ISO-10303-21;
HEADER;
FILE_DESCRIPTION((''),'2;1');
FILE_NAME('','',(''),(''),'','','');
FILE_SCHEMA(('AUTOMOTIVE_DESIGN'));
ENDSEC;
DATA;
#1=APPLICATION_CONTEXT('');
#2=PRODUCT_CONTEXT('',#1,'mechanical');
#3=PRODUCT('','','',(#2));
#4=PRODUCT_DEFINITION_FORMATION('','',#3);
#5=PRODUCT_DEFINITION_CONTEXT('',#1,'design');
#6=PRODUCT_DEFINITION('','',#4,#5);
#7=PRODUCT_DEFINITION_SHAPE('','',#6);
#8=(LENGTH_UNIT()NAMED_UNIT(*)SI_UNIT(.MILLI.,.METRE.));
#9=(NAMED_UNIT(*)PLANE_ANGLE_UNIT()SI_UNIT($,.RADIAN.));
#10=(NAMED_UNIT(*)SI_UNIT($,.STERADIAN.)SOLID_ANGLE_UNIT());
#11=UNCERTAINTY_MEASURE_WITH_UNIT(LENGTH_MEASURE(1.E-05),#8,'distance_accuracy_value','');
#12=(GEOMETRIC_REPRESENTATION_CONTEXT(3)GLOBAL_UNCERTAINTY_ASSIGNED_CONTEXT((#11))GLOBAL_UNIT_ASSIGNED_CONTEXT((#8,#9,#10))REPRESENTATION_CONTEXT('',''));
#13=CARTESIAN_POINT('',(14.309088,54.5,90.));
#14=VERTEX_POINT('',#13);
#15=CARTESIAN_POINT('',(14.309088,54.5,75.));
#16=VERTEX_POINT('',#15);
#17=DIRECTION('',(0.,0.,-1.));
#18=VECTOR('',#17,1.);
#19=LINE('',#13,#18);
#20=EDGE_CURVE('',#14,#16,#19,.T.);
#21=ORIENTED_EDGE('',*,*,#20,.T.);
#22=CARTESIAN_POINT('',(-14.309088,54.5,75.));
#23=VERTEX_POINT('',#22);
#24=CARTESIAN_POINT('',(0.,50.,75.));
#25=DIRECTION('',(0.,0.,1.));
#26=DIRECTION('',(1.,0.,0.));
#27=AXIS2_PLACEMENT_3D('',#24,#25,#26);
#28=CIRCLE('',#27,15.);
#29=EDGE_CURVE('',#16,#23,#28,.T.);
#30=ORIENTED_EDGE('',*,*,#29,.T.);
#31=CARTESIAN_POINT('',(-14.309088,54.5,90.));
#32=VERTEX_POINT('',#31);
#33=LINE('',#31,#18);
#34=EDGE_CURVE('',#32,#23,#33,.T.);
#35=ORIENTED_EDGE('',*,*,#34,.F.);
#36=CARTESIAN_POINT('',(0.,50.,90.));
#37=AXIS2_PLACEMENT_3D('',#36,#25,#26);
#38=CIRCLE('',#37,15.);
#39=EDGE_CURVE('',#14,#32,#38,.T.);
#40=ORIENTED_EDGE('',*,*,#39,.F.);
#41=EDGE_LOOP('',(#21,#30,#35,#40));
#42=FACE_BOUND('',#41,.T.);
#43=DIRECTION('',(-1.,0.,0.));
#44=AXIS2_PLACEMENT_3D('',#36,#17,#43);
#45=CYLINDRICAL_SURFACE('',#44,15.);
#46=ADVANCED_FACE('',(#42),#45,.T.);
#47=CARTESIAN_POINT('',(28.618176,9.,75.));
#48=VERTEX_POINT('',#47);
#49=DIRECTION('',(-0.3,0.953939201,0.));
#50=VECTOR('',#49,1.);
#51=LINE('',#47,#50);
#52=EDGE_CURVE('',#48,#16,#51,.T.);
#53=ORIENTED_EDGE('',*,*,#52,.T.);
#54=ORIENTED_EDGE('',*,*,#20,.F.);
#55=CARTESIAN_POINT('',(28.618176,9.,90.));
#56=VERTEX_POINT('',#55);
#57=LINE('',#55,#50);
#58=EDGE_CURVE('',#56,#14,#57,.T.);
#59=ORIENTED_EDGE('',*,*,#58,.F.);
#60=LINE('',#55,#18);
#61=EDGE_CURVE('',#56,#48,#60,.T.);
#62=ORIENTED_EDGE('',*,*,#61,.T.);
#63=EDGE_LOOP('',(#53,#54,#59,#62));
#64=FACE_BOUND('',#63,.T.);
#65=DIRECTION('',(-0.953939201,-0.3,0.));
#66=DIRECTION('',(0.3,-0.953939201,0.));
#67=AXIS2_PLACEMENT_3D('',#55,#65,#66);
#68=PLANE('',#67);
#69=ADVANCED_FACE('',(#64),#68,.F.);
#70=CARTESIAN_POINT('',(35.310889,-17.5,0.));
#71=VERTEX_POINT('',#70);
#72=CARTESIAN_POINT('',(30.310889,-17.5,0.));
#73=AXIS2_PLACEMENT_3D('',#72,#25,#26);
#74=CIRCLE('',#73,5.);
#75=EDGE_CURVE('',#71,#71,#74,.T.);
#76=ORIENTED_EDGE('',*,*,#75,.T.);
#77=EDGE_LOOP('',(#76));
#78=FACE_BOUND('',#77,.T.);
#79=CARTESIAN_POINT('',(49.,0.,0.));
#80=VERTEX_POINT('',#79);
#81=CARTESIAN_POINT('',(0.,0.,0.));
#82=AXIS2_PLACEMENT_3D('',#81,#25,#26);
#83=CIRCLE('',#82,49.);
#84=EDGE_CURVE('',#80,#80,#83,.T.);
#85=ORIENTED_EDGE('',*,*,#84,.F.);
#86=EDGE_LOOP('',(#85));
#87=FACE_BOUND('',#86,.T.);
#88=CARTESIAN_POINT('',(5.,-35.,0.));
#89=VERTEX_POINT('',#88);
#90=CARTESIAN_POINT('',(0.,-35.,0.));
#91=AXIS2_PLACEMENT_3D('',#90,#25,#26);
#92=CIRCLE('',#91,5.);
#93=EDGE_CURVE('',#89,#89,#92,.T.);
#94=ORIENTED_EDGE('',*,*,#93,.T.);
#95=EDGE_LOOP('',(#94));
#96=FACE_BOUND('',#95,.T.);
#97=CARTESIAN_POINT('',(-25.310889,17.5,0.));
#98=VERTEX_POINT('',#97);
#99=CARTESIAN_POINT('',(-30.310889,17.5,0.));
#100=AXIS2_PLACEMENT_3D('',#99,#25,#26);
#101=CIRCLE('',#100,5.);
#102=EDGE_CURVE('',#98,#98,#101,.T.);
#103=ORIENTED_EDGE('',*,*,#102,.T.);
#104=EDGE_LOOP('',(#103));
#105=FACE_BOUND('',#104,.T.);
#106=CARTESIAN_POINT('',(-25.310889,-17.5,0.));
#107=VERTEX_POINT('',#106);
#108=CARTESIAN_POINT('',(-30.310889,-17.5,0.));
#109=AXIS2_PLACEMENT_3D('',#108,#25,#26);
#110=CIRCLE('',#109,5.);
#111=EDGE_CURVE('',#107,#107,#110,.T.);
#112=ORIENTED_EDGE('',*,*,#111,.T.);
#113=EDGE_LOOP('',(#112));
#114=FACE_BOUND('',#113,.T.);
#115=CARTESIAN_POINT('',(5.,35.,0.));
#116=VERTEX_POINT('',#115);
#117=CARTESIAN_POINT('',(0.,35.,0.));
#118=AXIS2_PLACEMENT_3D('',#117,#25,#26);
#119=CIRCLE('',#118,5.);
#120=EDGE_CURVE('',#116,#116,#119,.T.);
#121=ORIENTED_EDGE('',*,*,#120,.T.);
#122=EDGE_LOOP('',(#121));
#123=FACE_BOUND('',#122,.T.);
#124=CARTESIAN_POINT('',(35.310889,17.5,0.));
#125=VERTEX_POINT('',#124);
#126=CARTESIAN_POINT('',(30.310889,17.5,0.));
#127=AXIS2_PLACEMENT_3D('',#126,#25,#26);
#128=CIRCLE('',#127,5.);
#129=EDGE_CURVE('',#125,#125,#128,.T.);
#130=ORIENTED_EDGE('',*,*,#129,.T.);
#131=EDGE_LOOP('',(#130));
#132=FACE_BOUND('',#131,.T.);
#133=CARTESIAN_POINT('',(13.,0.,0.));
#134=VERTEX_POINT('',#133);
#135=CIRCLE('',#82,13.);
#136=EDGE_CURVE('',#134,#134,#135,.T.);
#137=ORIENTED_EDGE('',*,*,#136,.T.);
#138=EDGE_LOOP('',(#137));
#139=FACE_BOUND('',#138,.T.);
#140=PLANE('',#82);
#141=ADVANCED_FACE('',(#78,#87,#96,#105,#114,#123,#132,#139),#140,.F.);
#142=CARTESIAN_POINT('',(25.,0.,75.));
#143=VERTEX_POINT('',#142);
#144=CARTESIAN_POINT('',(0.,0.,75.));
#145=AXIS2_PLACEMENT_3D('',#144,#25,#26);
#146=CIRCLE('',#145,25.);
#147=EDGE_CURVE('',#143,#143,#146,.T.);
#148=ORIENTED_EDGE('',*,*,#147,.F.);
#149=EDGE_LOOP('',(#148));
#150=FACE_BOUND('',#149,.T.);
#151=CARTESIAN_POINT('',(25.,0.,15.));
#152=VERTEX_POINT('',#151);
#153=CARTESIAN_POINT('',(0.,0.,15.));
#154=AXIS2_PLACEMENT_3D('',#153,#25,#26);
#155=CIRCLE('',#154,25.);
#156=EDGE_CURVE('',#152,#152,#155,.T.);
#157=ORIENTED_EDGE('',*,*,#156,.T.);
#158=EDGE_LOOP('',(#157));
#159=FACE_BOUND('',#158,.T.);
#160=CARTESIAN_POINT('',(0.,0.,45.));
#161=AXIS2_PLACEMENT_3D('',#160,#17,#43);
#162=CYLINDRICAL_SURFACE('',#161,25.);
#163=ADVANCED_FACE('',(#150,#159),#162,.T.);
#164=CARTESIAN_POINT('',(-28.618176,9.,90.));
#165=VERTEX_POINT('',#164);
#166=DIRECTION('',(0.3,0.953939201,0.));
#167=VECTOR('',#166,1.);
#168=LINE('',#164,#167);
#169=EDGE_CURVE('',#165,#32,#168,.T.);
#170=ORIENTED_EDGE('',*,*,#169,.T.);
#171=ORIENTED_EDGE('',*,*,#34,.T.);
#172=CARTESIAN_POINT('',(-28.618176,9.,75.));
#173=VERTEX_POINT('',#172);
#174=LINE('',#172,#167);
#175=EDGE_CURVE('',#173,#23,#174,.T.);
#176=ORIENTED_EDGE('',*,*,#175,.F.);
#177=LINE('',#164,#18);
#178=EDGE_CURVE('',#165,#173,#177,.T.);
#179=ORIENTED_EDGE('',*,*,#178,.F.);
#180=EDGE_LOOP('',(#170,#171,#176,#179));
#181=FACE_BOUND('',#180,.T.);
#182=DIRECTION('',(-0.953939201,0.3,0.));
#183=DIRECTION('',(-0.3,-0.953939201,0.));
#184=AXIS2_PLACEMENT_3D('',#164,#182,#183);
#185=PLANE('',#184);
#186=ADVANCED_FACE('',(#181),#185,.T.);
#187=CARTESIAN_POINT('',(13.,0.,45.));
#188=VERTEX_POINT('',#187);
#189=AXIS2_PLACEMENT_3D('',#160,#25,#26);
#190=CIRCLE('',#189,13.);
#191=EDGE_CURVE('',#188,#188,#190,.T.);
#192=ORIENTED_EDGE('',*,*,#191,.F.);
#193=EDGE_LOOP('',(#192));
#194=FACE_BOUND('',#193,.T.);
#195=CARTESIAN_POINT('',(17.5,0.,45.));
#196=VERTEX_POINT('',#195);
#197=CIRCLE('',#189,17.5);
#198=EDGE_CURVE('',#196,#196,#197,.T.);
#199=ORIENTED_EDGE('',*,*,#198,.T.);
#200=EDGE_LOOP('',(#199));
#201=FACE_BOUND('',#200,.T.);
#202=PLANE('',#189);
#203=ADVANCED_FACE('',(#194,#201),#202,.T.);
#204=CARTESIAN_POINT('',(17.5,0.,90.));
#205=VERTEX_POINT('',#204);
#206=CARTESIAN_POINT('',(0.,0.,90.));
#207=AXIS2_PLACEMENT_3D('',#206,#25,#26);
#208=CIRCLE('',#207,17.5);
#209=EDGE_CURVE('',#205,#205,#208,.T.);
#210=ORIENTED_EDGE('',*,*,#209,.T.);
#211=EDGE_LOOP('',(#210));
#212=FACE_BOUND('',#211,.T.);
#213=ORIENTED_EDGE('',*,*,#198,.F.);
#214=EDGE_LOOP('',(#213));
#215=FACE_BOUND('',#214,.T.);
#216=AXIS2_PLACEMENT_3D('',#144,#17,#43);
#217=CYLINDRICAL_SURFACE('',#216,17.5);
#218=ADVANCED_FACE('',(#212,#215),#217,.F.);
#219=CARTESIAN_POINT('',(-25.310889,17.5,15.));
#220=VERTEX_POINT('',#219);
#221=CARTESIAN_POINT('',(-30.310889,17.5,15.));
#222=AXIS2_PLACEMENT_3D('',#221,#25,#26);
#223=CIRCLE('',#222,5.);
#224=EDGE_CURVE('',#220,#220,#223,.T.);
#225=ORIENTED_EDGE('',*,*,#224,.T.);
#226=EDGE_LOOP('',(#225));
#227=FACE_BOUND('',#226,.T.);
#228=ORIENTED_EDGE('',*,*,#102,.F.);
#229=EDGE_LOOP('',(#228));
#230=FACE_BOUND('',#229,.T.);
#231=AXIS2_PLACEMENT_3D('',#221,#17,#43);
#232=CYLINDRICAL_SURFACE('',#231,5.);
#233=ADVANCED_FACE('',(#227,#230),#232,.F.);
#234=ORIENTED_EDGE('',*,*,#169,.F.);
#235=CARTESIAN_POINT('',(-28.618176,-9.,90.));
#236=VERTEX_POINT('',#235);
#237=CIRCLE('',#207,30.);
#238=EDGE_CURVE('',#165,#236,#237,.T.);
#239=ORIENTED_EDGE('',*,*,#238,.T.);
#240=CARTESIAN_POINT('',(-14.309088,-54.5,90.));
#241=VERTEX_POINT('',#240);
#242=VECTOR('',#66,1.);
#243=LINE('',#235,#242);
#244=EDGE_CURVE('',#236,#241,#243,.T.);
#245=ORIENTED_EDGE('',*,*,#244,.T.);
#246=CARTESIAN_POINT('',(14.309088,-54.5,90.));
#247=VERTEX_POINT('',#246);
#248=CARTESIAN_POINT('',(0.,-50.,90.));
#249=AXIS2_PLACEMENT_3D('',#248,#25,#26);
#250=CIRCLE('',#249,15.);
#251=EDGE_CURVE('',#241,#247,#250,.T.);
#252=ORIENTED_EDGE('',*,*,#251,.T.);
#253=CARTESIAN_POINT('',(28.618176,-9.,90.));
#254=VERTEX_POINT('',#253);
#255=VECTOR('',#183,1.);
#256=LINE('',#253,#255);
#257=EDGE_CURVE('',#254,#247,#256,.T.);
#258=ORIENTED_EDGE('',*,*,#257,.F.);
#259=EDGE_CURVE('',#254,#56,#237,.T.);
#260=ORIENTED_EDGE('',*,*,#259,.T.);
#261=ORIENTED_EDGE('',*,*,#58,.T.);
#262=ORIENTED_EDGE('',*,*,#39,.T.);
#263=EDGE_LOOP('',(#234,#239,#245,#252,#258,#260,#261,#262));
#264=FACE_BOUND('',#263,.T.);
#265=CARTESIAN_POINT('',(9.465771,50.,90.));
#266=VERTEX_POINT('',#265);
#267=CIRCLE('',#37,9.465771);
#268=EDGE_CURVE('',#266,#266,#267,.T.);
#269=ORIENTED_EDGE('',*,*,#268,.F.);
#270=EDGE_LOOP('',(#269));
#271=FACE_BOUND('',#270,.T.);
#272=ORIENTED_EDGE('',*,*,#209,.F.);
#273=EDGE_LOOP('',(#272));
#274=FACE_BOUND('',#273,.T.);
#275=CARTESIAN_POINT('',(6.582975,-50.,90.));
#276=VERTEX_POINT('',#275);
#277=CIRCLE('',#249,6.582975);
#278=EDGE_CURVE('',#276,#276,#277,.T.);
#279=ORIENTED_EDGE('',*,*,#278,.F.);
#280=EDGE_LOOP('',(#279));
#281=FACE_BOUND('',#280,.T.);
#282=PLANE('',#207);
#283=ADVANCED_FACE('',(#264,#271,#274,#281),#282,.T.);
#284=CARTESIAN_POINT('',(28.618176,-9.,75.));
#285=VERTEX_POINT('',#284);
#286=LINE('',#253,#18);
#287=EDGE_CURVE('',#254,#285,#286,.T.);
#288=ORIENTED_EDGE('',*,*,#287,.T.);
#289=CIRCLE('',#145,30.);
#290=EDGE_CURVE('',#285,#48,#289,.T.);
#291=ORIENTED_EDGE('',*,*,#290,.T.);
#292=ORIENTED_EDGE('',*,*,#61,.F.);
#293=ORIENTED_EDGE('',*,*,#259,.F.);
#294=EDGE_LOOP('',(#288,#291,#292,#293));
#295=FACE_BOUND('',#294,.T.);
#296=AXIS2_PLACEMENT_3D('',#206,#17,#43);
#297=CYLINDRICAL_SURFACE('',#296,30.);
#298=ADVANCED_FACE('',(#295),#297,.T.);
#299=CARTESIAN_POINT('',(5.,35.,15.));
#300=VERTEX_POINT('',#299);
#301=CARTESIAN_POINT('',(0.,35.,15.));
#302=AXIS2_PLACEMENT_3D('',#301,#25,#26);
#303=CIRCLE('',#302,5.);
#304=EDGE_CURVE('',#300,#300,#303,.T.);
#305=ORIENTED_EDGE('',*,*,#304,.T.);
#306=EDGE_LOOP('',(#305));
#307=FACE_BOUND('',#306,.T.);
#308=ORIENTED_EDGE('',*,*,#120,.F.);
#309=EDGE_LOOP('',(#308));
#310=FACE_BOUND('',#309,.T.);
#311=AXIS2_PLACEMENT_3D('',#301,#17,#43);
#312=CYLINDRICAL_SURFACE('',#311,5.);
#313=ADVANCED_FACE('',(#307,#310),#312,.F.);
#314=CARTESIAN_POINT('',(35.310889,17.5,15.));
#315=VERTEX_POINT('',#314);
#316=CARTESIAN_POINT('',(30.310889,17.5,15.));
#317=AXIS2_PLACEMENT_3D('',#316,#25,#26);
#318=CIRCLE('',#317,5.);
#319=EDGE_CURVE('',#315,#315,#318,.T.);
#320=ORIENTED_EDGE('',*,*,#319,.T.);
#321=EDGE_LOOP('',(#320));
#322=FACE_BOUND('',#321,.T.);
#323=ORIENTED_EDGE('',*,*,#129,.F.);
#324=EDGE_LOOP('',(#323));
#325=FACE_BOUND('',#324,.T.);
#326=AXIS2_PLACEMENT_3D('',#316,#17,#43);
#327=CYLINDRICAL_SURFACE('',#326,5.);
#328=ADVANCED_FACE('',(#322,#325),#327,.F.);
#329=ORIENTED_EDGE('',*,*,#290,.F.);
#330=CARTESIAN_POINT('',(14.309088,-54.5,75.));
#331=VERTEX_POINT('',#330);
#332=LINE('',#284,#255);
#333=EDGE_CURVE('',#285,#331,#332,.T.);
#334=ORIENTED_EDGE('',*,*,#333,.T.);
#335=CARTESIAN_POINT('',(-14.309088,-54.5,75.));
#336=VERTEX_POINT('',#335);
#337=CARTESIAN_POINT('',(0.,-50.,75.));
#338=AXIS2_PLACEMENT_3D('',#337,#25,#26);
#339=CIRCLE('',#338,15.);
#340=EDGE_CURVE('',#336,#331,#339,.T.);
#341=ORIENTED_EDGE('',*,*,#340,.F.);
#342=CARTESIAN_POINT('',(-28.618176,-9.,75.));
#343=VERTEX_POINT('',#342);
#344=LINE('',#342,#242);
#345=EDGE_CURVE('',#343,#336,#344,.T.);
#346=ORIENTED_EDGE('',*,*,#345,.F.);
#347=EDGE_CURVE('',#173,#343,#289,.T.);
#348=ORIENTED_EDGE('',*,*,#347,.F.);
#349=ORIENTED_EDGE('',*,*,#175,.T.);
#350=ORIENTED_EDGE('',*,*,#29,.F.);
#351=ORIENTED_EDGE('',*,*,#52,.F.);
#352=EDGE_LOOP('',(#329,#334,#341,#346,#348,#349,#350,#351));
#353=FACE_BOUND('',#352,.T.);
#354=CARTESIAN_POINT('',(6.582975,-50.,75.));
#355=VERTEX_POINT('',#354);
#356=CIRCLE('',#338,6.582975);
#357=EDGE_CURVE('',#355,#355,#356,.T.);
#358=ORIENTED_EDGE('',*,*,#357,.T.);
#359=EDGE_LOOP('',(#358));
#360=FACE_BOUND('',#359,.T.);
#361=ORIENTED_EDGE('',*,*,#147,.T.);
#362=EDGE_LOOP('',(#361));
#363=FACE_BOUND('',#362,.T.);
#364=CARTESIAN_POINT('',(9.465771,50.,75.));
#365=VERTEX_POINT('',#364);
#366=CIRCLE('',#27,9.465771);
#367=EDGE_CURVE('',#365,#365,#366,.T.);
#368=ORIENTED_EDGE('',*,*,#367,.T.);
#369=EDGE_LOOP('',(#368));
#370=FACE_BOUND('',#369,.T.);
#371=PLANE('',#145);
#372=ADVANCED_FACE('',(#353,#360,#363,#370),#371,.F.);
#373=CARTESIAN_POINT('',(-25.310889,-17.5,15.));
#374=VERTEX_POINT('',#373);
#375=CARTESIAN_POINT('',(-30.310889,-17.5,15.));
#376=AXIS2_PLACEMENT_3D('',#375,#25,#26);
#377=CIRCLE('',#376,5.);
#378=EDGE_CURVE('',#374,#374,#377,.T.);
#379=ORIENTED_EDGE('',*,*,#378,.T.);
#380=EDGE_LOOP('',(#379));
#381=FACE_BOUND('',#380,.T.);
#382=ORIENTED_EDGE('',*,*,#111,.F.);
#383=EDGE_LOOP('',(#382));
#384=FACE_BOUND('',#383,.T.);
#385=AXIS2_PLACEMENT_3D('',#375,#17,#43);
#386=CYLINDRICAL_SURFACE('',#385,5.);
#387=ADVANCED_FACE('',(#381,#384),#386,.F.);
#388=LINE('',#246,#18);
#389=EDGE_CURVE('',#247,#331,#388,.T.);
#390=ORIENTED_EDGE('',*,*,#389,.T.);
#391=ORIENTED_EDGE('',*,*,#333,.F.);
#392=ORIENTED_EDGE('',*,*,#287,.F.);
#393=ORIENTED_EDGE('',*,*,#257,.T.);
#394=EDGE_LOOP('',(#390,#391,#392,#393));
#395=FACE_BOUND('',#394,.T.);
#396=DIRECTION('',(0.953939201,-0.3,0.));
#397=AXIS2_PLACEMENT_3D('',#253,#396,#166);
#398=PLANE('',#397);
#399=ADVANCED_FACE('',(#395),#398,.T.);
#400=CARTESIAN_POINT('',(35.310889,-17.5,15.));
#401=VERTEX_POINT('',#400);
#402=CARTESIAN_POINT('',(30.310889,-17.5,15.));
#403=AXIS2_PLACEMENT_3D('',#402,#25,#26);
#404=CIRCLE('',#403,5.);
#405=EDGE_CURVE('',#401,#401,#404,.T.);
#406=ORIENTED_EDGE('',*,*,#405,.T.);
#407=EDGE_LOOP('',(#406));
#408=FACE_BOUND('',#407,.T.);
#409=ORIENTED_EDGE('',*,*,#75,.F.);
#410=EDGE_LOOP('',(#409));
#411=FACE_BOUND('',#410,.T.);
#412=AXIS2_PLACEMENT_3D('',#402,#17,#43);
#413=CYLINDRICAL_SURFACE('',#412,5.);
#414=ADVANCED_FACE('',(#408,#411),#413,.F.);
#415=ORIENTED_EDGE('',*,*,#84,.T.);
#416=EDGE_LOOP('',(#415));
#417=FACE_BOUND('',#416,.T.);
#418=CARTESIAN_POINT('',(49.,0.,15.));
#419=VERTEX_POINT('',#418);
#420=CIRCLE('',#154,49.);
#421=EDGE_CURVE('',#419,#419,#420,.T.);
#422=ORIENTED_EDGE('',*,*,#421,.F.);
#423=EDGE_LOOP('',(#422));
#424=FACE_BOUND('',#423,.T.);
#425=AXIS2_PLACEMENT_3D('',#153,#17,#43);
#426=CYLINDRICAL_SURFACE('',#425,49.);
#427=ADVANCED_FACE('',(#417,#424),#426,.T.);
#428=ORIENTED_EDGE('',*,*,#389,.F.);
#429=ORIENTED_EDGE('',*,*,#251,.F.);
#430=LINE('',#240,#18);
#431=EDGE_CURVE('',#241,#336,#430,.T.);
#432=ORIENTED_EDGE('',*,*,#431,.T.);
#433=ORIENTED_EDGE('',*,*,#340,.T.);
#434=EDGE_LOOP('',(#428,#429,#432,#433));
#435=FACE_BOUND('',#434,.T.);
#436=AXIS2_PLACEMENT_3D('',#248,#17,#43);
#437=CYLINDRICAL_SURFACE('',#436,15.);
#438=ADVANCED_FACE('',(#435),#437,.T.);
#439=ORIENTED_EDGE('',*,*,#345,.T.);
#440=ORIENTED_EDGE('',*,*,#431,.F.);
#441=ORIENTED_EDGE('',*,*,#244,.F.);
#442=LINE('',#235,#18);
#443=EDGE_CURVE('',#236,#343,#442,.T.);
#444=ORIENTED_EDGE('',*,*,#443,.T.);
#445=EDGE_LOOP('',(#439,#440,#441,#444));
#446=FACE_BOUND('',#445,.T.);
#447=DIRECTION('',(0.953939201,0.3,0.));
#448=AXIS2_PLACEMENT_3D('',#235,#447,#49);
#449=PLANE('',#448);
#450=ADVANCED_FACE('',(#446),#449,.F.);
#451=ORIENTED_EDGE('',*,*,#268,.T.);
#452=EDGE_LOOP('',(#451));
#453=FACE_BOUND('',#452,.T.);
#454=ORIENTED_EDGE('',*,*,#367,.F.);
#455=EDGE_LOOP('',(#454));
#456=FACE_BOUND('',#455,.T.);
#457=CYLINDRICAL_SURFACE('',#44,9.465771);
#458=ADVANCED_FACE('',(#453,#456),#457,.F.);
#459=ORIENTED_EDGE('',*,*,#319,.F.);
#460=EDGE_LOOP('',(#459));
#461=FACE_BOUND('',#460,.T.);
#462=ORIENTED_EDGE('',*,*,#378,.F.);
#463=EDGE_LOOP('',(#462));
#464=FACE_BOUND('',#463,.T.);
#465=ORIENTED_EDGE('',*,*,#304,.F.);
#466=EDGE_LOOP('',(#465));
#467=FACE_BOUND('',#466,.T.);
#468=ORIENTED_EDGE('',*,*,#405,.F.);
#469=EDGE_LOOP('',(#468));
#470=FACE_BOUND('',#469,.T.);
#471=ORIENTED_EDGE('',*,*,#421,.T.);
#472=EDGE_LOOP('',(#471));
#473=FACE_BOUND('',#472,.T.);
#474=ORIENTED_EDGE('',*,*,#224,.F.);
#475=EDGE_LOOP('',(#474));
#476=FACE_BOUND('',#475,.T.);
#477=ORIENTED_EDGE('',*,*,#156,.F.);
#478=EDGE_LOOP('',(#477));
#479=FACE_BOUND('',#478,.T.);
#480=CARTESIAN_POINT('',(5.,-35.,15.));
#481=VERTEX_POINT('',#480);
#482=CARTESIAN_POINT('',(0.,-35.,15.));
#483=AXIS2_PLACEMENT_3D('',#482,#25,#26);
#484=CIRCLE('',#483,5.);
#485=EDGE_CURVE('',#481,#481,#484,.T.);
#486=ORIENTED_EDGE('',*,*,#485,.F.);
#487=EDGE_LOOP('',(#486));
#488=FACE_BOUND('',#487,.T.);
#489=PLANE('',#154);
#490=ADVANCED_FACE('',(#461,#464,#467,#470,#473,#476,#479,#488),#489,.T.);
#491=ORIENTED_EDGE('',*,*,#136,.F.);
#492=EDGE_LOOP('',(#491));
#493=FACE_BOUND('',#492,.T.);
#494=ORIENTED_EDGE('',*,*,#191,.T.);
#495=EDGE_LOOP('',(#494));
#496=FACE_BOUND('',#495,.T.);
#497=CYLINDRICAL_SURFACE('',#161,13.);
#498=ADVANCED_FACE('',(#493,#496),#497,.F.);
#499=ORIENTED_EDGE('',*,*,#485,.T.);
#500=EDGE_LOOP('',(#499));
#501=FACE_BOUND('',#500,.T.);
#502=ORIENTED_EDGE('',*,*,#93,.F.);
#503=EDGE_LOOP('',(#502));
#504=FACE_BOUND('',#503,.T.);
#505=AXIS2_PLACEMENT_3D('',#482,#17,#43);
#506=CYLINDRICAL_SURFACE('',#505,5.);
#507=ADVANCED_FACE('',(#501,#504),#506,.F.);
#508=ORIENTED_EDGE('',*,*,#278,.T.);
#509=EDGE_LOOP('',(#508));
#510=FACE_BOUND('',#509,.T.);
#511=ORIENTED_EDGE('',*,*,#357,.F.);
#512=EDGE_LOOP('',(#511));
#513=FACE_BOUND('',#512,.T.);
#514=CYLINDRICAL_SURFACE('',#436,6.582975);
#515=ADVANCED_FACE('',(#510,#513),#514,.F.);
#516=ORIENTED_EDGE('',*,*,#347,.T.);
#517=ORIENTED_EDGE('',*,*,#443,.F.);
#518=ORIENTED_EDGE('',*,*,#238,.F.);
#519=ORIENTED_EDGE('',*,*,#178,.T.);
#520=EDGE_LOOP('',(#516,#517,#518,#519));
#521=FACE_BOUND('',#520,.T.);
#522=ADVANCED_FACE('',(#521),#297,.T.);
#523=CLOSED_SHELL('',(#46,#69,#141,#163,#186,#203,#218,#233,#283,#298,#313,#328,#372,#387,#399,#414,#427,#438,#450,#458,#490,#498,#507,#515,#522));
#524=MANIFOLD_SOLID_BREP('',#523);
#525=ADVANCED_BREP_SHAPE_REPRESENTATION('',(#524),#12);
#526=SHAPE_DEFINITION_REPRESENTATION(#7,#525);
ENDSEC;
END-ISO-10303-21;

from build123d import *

# Parameters (mm, degrees)
SKETCH1_R           = 49
SKETCH1_R_2         = 5
SKETCH1_R_3         = 25
BOSS_EXTRUDE1_DEPTH = 15
SKETCH2_R           = 25
SKETCH2_R_2         = 13
BOSS_EXTRUDE2_DEPTH = 45
SKETCH3_R           = 25
SKETCH3_R_2         = 17.5
BOSS_EXTRUDE3_DEPTH = 30
SKETCH5_R           = 6.582974729
SKETCH5_R_2         = 9.465771496
BOSS_EXTRUDE5_DEPTH = 15
SKETCH6_R           = 17.5
CUT_EXTRUDE1_DEPTH  = 15


with BuildPart() as part:
    # Sketch1 → Boss-Extrude1 (new body)
    with BuildSketch(Plane.XY):
        Circle(SKETCH1_R)
        with Locations((0, 35)):
            Circle(SKETCH1_R_2, mode=Mode.SUBTRACT)
        with Locations((-30.310889132, 17.5)):
            Circle(SKETCH1_R_2, mode=Mode.SUBTRACT)
        with Locations((30.310889132, 17.5)):
            Circle(SKETCH1_R_2, mode=Mode.SUBTRACT)
        with Locations((30.310889132, -17.5)):
            Circle(SKETCH1_R_2, mode=Mode.SUBTRACT)
        with Locations((0, -35)):
            Circle(SKETCH1_R_2, mode=Mode.SUBTRACT)
        with Locations((-30.310889132, -17.5)):
            Circle(SKETCH1_R_2, mode=Mode.SUBTRACT)
        Circle(SKETCH1_R_3, mode=Mode.SUBTRACT)
    extrude(amount=BOSS_EXTRUDE1_DEPTH)

    # Sketch2 → Boss-Extrude2 (add)
    with BuildSketch(Plane.XY):
        Circle(SKETCH2_R)
        Circle(SKETCH2_R_2, mode=Mode.SUBTRACT)
    extrude(amount=BOSS_EXTRUDE2_DEPTH)

    # Sketch3 → Boss-Extrude3 (add)
    with BuildSketch(Plane.XY.offset(45)):
        Circle(SKETCH3_R)
        Circle(SKETCH3_R_2, mode=Mode.SUBTRACT)
    extrude(amount=BOSS_EXTRUDE3_DEPTH)

    # Sketch5 → Boss-Extrude5 (add)
    with BuildSketch(Plane.XY.offset(75)):
        with BuildLine():
            Line((14.309088021, -54.5), (28.618175978, -9.000000204))
            ThreePointArc((28.618175978, -9.000000204), (30, 3.7e-08), (28.618175956, 9.000000276))
            Line((28.618175956, 9.000000276), (14.309088021, 54.5))
            ThreePointArc((14.309088021, 54.5), (0, 65), (-14.309088021, 54.5))
            Line((-14.309088021, 54.5), (-28.618175825, 9.000000693))
            ThreePointArc((-28.618175825, 9.000000693), (-30, 2.3e-08), (-28.618175838, -9.000000649))
            Line((-28.618175838, -9.000000649), (-14.309088021, -54.5))
            ThreePointArc((-14.309088021, -54.5), (0, -65), (14.309088021, -54.5))
        make_face()
        with Locations((0, -50)):
            Circle(SKETCH5_R, mode=Mode.SUBTRACT)
        with Locations((0, 50)):
            Circle(SKETCH5_R_2, mode=Mode.SUBTRACT)
    extrude(amount=BOSS_EXTRUDE5_DEPTH)

    # Sketch6 → Cut-Extrude1 (cut)
    with BuildSketch(Plane.XY.offset(90)):
        Circle(SKETCH6_R)
    extrude(amount=-CUT_EXTRUDE1_DEPTH, mode=Mode.SUBTRACT)


solid = part.part
